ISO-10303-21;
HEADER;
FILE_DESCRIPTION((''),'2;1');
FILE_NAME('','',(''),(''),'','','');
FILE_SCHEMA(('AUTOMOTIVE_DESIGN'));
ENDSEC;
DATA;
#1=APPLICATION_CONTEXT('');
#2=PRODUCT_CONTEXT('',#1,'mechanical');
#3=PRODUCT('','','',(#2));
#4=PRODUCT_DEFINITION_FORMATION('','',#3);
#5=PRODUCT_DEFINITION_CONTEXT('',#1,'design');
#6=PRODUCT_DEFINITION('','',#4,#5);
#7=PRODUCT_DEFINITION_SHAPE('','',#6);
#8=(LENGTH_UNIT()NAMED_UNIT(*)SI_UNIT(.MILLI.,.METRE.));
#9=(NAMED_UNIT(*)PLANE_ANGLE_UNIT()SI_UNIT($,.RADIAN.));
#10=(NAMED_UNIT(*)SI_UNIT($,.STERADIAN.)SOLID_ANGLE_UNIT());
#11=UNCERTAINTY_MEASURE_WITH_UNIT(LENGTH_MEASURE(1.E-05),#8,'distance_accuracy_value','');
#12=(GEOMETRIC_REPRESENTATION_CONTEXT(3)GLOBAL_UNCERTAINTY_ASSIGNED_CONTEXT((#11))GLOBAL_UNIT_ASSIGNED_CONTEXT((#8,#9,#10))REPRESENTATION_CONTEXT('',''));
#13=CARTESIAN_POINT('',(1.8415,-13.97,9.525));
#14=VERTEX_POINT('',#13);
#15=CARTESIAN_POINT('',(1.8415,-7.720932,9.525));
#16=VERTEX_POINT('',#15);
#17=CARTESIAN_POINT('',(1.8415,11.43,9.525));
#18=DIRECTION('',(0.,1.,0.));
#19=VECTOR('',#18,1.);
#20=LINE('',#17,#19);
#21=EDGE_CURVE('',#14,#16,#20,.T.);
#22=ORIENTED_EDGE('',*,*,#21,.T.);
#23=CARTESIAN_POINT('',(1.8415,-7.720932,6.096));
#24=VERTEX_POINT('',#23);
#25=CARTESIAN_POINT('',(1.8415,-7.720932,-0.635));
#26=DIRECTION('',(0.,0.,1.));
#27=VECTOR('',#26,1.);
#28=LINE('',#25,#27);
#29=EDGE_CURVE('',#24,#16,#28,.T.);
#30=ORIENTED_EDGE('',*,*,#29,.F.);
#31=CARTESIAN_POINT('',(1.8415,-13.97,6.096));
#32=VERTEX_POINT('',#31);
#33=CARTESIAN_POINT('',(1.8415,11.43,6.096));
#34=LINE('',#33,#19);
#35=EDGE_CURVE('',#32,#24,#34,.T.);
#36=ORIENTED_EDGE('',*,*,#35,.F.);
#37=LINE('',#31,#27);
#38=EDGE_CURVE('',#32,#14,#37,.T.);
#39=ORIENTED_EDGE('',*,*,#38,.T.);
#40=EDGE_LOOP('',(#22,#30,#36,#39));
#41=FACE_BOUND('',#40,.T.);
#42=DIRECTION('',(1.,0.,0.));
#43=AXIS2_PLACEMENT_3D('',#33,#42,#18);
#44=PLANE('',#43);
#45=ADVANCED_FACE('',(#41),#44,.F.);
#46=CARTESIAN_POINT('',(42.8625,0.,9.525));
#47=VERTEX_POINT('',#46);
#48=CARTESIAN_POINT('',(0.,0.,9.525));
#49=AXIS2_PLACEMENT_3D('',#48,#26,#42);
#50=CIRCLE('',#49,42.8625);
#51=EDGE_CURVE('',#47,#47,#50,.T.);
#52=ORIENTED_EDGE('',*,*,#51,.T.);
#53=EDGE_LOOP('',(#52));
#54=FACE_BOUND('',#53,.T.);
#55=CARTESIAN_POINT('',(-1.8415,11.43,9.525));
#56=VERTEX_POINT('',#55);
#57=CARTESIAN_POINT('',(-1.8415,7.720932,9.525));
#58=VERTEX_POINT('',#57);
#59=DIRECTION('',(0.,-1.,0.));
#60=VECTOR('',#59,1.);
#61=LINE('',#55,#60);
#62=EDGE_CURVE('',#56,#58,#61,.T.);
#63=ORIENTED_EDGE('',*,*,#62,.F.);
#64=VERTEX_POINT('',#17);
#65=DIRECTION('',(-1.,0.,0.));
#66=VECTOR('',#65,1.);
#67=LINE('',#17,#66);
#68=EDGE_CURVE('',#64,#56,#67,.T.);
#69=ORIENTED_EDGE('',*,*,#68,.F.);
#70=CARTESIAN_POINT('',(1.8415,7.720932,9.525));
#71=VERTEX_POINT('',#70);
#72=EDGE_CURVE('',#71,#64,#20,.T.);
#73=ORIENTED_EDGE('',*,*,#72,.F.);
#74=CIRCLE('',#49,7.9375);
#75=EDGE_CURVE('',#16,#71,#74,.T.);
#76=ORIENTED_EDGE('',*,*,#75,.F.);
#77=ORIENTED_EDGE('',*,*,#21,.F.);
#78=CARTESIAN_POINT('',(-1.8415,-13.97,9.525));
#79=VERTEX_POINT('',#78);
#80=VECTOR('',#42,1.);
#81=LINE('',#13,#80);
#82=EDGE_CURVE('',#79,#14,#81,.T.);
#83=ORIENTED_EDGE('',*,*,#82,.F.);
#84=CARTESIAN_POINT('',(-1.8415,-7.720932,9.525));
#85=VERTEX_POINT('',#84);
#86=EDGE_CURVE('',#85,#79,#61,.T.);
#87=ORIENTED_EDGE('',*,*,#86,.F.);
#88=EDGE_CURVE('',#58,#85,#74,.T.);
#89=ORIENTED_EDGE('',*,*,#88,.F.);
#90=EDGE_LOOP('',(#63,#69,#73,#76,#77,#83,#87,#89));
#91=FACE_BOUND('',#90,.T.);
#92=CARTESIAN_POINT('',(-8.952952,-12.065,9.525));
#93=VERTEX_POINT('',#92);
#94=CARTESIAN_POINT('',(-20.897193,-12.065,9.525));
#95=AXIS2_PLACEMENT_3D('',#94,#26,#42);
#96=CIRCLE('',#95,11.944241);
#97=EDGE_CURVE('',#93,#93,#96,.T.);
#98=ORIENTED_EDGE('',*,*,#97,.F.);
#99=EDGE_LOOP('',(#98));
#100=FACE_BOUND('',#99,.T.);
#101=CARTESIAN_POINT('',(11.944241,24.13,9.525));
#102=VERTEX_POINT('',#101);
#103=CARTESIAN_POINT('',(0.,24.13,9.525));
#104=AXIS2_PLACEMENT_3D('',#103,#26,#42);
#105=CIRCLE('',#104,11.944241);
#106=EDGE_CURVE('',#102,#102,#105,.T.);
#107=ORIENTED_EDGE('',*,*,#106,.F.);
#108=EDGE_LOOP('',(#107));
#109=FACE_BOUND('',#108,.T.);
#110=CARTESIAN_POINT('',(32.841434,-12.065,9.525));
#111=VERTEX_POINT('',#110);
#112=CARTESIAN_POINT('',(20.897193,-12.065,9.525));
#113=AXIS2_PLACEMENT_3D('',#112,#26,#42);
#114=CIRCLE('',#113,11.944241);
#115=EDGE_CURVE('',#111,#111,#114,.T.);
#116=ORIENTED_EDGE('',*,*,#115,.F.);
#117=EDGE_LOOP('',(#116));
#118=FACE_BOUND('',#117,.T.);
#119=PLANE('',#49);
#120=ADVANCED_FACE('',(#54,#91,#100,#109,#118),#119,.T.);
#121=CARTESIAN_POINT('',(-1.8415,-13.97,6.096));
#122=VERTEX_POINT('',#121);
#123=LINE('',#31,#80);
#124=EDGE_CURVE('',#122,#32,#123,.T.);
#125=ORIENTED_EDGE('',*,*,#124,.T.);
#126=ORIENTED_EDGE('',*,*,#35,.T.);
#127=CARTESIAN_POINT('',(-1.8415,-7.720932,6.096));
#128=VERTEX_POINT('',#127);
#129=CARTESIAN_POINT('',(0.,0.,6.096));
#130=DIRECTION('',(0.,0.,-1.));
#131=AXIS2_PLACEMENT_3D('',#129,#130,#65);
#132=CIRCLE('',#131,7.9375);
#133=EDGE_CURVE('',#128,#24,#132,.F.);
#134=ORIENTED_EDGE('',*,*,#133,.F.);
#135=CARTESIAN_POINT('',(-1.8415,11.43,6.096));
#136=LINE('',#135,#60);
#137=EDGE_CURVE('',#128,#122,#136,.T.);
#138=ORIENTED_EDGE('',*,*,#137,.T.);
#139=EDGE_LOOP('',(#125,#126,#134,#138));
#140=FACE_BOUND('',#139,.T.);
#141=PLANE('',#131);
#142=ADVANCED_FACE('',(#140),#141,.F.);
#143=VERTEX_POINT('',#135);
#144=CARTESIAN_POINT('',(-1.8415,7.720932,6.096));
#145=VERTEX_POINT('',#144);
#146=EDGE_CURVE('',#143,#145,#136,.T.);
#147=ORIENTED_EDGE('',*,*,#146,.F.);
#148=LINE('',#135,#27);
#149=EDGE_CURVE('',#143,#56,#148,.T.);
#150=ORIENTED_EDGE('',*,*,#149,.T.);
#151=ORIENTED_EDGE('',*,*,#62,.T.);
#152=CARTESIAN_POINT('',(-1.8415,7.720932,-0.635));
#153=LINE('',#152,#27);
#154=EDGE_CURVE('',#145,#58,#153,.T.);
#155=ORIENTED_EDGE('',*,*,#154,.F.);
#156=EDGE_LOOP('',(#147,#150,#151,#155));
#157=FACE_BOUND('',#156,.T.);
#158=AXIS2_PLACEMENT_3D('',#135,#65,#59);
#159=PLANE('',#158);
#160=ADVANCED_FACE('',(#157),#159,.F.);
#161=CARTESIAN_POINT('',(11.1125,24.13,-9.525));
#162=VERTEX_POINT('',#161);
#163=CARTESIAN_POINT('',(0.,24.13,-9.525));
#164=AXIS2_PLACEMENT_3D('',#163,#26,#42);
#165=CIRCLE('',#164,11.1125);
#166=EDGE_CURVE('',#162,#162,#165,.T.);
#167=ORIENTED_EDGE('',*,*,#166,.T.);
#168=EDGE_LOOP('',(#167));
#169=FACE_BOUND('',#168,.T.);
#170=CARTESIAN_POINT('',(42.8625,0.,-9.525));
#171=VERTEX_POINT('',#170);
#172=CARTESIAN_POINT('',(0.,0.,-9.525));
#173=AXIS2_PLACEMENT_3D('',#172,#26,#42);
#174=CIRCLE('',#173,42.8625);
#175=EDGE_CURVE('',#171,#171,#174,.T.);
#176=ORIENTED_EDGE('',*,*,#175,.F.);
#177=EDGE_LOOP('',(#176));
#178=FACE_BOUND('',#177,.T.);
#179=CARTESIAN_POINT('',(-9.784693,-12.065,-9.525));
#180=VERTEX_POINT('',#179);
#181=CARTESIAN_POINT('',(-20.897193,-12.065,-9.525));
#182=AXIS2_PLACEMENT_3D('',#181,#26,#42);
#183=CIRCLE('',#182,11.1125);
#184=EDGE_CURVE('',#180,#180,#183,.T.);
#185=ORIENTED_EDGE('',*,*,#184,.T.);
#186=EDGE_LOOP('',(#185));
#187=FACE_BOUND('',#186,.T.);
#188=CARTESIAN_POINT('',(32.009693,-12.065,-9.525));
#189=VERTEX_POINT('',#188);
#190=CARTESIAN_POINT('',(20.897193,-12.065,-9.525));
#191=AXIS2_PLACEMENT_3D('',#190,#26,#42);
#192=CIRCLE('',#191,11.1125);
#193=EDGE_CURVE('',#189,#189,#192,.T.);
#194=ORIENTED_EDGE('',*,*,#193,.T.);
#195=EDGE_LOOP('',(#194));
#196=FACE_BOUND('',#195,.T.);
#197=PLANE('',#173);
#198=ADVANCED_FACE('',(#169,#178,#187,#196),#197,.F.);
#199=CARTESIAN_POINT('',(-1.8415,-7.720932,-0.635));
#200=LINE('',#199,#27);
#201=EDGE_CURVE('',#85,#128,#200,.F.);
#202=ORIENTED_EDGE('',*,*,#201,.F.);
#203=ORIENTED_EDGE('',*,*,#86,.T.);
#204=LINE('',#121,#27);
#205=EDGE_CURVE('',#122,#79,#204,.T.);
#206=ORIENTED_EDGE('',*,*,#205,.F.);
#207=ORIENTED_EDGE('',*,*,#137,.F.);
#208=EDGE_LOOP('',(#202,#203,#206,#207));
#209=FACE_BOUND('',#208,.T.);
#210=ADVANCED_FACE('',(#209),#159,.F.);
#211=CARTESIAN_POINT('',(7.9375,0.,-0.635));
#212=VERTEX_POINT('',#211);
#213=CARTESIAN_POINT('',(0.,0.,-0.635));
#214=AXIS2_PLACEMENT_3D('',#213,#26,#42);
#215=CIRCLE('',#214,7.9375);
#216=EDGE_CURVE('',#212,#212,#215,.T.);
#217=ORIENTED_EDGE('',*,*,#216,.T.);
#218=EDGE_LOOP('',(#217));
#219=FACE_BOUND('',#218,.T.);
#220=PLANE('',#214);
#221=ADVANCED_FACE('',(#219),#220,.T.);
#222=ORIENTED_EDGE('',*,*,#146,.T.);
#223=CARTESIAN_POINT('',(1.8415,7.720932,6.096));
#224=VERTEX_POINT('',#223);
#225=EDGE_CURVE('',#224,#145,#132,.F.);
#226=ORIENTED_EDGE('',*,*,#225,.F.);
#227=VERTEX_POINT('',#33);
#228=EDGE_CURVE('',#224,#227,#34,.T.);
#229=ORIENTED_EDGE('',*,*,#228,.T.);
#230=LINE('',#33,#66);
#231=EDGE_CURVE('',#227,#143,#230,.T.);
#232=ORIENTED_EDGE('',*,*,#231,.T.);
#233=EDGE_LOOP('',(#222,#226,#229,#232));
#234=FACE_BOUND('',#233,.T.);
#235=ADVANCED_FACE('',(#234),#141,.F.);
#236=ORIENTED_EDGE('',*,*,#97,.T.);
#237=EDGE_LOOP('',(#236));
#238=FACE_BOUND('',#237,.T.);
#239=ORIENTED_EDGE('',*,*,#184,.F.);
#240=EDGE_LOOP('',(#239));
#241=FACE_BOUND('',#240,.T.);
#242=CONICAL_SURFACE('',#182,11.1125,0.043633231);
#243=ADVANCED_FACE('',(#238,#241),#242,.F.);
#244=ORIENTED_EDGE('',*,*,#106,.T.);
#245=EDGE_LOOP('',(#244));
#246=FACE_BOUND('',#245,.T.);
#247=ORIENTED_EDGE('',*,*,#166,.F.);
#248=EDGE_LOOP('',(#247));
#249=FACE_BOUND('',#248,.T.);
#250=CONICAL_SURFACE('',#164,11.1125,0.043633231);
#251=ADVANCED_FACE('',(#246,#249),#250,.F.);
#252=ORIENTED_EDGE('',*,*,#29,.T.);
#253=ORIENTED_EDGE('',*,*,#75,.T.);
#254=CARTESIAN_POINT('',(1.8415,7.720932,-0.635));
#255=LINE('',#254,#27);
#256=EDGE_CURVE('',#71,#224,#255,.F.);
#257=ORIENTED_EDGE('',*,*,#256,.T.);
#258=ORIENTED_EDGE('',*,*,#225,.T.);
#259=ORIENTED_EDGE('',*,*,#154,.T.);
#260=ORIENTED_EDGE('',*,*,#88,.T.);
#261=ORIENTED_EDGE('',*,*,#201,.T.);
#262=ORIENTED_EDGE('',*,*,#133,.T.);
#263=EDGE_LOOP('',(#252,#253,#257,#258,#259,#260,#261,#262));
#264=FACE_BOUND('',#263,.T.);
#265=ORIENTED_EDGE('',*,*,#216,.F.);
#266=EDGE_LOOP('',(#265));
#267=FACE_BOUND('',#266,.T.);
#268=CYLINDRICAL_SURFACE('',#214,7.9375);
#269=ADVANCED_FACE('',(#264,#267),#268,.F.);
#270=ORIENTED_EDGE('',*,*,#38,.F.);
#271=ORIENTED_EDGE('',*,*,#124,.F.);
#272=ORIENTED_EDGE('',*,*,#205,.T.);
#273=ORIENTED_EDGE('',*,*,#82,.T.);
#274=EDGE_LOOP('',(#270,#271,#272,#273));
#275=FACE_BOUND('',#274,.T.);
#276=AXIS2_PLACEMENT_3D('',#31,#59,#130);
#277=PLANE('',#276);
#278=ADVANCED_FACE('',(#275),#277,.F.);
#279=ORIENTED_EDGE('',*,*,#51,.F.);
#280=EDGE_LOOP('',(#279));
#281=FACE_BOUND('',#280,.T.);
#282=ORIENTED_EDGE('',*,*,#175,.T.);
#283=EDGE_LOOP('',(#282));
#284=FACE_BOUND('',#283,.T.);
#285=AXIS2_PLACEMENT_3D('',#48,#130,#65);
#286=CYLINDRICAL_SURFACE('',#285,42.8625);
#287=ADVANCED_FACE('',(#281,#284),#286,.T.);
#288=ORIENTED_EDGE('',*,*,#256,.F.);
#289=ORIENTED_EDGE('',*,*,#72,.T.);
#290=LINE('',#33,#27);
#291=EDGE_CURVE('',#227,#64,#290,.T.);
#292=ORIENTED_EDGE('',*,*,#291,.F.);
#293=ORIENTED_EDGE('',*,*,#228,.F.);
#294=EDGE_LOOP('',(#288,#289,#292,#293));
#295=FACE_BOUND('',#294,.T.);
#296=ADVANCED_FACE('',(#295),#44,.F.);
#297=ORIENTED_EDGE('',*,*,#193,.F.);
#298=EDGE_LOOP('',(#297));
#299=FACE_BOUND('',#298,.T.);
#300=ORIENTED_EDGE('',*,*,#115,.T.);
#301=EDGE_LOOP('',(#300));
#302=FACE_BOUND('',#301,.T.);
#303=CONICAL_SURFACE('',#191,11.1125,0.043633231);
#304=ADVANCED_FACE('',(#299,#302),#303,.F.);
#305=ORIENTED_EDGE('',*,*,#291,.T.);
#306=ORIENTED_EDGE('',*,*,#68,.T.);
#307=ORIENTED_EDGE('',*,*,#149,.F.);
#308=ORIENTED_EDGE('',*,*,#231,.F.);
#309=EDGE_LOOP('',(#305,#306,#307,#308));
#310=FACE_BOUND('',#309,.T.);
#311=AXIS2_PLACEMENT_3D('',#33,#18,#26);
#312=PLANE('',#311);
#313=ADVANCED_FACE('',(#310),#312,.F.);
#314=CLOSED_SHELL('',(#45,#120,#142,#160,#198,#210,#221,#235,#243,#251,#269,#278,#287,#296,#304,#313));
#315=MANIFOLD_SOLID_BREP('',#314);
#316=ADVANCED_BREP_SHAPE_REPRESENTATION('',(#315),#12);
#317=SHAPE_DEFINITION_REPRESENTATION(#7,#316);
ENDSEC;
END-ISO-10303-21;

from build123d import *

# Parameters (mm, degrees)
SKETCH1_R           = 42.8625
SKETCH1_R_2         = 11.1125
BOSS_EXTRUDE1_DEPTH = 9.525
SKETCH2_R           = 7.9375
CUT_EXTRUDE1_DEPTH  = 10.16
SKETCH3_W           = 3.683
SKETCH3_H           = 25.4
CUT_EXTRUDE2_DEPTH  = 3.429
DRAFT2_ANGLE        = -2.5


with BuildPart() as part:
    # Sketch1 → Boss-Extrude1 (new body, symmetric)
    with BuildSketch(Plane.XY):
        Circle(SKETCH1_R)
        with Locations((0, 24.13)):
            Circle(SKETCH1_R_2, mode=Mode.SUBTRACT)
        with Locations((-20.897192993, -12.065)):
            Circle(SKETCH1_R_2, mode=Mode.SUBTRACT)
        with Locations((20.897192993, -12.065)):
            Circle(SKETCH1_R_2, mode=Mode.SUBTRACT)
    extrude(amount=BOSS_EXTRUDE1_DEPTH, both=True)

    # Sketch2 → Cut-Extrude1 (cut)
    with BuildSketch(Plane.XY.offset(9.525)):
        Circle(SKETCH2_R)
    extrude(amount=-CUT_EXTRUDE1_DEPTH, mode=Mode.SUBTRACT)

    # Sketch3 → Cut-Extrude2 (cut)
    with BuildSketch(Plane.XY.offset(9.525)):
        with Locations((0, -1.27)):
            Rectangle(SKETCH3_W, SKETCH3_H)
    extrude(amount=-CUT_EXTRUDE2_DEPTH, mode=Mode.SUBTRACT)

    # Draft2
    draft2_faces = [part.faces().sort_by_distance(p)[0] for p in [
        (-32.009692993, -12.065, 0),
        (9.784692993, -12.065, 0),
        (-11.1125, 24.13, 0),
    ]]
    draft(draft2_faces, Plane(origin=(0, 0, -9.525), x_dir=(-1, 0, 0), z_dir=(0, 0, -1)), DRAFT2_ANGLE)


solid = part.part
